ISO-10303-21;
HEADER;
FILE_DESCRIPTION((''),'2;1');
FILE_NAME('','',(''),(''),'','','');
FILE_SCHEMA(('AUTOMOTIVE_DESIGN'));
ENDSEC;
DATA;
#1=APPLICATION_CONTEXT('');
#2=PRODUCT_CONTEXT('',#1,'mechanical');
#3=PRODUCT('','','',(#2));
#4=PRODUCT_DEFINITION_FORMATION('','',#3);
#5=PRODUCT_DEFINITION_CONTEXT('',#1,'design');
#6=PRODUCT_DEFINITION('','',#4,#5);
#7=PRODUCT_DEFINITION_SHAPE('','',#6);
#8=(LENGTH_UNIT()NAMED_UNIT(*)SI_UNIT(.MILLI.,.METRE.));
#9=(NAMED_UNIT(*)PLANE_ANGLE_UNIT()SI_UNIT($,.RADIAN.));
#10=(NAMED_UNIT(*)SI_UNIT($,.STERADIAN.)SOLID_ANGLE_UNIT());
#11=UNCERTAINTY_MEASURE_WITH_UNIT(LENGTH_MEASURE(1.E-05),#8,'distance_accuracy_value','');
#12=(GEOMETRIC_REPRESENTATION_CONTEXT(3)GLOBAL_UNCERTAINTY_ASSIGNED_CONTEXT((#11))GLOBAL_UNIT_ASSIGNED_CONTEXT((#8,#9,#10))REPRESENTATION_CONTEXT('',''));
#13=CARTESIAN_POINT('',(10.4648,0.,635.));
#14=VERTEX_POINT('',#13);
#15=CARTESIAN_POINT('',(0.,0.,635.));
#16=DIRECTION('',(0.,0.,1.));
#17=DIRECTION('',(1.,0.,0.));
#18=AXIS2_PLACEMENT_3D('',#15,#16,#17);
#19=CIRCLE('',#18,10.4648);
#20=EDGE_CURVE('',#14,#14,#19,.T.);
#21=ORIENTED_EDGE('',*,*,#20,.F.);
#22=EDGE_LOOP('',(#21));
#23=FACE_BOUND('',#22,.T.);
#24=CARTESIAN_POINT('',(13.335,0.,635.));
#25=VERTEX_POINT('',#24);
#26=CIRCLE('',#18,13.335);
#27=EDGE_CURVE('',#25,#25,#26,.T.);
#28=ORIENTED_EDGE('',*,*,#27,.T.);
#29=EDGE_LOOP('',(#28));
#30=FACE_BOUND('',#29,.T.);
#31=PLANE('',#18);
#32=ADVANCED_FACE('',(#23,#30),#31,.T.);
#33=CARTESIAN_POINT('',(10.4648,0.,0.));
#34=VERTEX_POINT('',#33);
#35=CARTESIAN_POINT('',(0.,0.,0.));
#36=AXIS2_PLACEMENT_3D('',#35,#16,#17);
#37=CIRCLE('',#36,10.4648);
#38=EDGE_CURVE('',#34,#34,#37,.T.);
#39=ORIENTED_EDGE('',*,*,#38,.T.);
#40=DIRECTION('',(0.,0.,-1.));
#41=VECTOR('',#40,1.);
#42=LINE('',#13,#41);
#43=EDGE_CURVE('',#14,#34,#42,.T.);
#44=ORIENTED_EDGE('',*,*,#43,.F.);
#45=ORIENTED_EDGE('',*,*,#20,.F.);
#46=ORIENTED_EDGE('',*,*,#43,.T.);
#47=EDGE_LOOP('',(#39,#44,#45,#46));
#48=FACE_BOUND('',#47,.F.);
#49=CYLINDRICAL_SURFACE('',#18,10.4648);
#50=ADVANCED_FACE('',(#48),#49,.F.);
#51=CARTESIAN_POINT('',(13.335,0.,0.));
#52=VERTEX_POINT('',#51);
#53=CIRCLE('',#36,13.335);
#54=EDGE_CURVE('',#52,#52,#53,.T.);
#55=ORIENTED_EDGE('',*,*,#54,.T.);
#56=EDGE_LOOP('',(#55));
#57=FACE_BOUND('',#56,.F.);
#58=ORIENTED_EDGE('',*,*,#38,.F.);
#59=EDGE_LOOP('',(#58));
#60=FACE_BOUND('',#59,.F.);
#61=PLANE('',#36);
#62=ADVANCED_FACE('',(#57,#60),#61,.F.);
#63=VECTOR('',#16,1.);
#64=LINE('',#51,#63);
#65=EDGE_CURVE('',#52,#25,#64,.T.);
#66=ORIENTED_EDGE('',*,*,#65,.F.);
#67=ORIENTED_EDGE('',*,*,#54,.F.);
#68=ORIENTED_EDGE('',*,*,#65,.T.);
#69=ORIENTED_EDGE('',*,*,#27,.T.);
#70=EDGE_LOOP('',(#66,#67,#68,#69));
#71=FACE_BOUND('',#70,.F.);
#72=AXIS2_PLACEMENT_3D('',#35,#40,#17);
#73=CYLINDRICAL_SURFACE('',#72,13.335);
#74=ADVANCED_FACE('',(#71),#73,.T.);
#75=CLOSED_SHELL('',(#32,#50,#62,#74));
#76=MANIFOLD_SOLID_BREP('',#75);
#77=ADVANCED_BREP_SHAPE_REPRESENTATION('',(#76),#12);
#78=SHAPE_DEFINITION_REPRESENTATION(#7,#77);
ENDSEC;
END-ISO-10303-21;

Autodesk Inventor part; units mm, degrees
ref_plane "YZ Plane" through (0, 0, 0) normal (1, 0, 0) x (0, 1, 0)
ref_plane "XZ Plane" through (0, 0, 0) normal (0, 1, 0) x (-1, 0, 0)
ref_plane "XY Plane" through (0, 0, 0) normal (0, 0, 1) x (1, 0, 0)
sketch "Sketch1" plane through (0, 0, 0) normal (0, 0, 1) x (1, 0, 0)
  circle A0 centre (0, 0) radius 13.335
  dimension "d0" = 26.67
extrude "Extrusion1" add sketch "Sketch1" along normal blind 635
sketch "Sketch2" plane through (0, 0, 635) normal (0, 0, 1) x (1, 0, 0)
  circle A0 centre (0, 0) radius 10.4648
  dimension "d3" = 20.9296
extrude "Extrusion2" cut sketch "Sketch2" against normal blind 762
properties part number "Extender - .75 in tube"
